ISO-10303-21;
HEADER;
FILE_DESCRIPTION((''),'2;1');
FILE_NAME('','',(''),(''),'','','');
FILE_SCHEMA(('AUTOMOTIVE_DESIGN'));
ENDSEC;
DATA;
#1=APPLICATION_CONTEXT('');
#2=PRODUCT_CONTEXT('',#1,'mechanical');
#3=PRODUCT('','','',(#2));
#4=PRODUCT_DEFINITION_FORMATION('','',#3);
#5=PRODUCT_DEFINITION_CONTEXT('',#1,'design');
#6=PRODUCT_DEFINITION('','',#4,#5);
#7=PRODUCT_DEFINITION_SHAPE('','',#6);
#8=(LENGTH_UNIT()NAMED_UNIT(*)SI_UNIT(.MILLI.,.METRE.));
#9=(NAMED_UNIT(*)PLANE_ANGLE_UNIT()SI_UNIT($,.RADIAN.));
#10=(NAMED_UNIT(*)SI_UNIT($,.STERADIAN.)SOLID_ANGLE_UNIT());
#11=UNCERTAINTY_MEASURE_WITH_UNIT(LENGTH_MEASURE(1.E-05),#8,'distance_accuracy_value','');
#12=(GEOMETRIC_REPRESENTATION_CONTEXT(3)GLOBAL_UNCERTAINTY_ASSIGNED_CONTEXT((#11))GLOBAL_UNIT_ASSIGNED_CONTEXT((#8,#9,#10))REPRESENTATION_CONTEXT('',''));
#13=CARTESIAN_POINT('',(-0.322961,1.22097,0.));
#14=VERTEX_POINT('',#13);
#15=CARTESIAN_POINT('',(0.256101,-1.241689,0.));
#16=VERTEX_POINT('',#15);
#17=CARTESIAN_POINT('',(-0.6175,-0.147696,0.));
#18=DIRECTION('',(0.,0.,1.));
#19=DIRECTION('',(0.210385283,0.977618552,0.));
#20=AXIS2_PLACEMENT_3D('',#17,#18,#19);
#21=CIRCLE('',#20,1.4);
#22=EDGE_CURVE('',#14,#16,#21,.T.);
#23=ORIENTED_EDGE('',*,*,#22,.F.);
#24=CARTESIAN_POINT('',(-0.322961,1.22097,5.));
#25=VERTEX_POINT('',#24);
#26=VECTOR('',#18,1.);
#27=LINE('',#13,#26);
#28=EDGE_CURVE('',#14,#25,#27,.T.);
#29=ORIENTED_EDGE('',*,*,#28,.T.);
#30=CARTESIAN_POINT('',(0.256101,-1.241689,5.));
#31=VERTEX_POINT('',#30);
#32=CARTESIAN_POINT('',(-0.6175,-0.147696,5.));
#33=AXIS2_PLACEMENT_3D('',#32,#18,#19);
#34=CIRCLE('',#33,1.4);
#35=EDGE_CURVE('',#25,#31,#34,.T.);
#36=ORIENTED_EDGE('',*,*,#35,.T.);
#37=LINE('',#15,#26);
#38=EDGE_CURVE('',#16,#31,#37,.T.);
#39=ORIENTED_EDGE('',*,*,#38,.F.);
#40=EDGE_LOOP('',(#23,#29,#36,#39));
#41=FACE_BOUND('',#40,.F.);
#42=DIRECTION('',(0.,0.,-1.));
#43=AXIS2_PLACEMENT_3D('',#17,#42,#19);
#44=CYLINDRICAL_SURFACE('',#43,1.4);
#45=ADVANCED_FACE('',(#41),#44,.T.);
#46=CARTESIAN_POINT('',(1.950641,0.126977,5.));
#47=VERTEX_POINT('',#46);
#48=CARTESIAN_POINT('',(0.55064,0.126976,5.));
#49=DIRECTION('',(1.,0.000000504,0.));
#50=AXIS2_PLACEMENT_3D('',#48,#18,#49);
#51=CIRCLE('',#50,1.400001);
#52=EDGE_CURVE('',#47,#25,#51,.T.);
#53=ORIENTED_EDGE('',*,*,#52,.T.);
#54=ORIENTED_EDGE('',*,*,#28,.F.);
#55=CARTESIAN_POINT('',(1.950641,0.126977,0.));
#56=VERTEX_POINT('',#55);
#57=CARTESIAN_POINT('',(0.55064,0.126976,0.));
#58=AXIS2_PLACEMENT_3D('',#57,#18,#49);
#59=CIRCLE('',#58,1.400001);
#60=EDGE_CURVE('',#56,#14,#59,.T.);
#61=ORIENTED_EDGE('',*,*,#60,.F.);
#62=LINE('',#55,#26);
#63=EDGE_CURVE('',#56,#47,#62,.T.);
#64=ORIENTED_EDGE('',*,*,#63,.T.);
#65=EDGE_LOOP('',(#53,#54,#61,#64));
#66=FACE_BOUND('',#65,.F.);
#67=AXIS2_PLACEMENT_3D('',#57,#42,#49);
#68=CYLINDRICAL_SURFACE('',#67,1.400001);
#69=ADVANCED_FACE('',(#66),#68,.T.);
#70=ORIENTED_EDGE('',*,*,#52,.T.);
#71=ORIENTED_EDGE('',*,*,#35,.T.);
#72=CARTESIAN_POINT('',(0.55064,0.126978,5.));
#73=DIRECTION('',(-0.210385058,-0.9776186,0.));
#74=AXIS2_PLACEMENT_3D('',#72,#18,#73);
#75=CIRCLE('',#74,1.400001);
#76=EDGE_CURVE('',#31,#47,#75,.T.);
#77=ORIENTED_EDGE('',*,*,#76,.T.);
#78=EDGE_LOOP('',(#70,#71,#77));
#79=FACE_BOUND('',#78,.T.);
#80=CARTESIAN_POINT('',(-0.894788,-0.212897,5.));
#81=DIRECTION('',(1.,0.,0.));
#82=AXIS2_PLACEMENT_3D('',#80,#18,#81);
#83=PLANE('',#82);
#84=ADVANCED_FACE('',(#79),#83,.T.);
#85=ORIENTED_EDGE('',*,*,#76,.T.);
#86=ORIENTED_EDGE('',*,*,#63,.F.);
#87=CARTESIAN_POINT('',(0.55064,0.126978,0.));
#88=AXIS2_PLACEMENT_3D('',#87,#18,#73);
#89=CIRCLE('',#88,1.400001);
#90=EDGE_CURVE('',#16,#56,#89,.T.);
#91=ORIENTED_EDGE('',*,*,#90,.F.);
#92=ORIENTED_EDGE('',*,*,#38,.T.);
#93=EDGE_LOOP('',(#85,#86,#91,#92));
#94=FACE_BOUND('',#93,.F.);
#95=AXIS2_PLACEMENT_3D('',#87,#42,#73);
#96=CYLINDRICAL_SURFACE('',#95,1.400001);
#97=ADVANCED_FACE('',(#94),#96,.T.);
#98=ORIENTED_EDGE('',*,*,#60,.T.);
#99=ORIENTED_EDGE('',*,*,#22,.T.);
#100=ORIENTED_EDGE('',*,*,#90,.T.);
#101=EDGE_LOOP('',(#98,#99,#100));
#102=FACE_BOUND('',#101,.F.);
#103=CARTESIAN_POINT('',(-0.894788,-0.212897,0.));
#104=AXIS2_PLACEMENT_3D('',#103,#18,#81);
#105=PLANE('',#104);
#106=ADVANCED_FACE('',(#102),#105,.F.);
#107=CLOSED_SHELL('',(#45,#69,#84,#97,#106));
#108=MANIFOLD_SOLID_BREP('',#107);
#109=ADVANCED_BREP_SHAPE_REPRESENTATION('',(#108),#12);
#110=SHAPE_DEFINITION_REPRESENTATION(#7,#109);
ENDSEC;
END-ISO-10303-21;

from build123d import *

# Parameters (mm, degrees)
F1_DEPTH = 5


with BuildPart() as f1:
    # F0 (on Top) → F1 (new body)
    with BuildSketch(Plane.XY):
        with BuildLine():
            ThreePointArc((0.256101, -1.241689), (-0.812191, -0.193475), (-0.322961, 1.22097))
            ThreePointArc((-0.322961, 1.22097), (-1.980332, -0.468149), (0.256101, -1.241689))
        make_face()
        with BuildLine():
            ThreePointArc((0.256101, -1.241689), (1.430312, -0.962141), (1.950641, 0.126977))
            ThreePointArc((1.950641, 0.126977), (1.157665, 1.388532), (-0.322961, 1.22097))
            ThreePointArc((-0.322961, 1.22097), (0.471617, 0.731975), (0.782499, -0.147696))
            ThreePointArc((0.782499, -0.147696), (0.644054, -0.754721), (0.256101, -1.241689))
        make_face()
        with BuildLine():
            ThreePointArc((0.782499, -0.147696), (0.471617, 0.731975), (-0.322961, 1.22097))
            ThreePointArc((-0.322961, 1.22097), (-0.812191, -0.193475), (0.256101, -1.241689))
            ThreePointArc((0.256101, -1.241689), (0.644054, -0.754721), (0.782499, -0.147696))
        make_face()
    extrude(amount=F1_DEPTH)


solid = f1.part
